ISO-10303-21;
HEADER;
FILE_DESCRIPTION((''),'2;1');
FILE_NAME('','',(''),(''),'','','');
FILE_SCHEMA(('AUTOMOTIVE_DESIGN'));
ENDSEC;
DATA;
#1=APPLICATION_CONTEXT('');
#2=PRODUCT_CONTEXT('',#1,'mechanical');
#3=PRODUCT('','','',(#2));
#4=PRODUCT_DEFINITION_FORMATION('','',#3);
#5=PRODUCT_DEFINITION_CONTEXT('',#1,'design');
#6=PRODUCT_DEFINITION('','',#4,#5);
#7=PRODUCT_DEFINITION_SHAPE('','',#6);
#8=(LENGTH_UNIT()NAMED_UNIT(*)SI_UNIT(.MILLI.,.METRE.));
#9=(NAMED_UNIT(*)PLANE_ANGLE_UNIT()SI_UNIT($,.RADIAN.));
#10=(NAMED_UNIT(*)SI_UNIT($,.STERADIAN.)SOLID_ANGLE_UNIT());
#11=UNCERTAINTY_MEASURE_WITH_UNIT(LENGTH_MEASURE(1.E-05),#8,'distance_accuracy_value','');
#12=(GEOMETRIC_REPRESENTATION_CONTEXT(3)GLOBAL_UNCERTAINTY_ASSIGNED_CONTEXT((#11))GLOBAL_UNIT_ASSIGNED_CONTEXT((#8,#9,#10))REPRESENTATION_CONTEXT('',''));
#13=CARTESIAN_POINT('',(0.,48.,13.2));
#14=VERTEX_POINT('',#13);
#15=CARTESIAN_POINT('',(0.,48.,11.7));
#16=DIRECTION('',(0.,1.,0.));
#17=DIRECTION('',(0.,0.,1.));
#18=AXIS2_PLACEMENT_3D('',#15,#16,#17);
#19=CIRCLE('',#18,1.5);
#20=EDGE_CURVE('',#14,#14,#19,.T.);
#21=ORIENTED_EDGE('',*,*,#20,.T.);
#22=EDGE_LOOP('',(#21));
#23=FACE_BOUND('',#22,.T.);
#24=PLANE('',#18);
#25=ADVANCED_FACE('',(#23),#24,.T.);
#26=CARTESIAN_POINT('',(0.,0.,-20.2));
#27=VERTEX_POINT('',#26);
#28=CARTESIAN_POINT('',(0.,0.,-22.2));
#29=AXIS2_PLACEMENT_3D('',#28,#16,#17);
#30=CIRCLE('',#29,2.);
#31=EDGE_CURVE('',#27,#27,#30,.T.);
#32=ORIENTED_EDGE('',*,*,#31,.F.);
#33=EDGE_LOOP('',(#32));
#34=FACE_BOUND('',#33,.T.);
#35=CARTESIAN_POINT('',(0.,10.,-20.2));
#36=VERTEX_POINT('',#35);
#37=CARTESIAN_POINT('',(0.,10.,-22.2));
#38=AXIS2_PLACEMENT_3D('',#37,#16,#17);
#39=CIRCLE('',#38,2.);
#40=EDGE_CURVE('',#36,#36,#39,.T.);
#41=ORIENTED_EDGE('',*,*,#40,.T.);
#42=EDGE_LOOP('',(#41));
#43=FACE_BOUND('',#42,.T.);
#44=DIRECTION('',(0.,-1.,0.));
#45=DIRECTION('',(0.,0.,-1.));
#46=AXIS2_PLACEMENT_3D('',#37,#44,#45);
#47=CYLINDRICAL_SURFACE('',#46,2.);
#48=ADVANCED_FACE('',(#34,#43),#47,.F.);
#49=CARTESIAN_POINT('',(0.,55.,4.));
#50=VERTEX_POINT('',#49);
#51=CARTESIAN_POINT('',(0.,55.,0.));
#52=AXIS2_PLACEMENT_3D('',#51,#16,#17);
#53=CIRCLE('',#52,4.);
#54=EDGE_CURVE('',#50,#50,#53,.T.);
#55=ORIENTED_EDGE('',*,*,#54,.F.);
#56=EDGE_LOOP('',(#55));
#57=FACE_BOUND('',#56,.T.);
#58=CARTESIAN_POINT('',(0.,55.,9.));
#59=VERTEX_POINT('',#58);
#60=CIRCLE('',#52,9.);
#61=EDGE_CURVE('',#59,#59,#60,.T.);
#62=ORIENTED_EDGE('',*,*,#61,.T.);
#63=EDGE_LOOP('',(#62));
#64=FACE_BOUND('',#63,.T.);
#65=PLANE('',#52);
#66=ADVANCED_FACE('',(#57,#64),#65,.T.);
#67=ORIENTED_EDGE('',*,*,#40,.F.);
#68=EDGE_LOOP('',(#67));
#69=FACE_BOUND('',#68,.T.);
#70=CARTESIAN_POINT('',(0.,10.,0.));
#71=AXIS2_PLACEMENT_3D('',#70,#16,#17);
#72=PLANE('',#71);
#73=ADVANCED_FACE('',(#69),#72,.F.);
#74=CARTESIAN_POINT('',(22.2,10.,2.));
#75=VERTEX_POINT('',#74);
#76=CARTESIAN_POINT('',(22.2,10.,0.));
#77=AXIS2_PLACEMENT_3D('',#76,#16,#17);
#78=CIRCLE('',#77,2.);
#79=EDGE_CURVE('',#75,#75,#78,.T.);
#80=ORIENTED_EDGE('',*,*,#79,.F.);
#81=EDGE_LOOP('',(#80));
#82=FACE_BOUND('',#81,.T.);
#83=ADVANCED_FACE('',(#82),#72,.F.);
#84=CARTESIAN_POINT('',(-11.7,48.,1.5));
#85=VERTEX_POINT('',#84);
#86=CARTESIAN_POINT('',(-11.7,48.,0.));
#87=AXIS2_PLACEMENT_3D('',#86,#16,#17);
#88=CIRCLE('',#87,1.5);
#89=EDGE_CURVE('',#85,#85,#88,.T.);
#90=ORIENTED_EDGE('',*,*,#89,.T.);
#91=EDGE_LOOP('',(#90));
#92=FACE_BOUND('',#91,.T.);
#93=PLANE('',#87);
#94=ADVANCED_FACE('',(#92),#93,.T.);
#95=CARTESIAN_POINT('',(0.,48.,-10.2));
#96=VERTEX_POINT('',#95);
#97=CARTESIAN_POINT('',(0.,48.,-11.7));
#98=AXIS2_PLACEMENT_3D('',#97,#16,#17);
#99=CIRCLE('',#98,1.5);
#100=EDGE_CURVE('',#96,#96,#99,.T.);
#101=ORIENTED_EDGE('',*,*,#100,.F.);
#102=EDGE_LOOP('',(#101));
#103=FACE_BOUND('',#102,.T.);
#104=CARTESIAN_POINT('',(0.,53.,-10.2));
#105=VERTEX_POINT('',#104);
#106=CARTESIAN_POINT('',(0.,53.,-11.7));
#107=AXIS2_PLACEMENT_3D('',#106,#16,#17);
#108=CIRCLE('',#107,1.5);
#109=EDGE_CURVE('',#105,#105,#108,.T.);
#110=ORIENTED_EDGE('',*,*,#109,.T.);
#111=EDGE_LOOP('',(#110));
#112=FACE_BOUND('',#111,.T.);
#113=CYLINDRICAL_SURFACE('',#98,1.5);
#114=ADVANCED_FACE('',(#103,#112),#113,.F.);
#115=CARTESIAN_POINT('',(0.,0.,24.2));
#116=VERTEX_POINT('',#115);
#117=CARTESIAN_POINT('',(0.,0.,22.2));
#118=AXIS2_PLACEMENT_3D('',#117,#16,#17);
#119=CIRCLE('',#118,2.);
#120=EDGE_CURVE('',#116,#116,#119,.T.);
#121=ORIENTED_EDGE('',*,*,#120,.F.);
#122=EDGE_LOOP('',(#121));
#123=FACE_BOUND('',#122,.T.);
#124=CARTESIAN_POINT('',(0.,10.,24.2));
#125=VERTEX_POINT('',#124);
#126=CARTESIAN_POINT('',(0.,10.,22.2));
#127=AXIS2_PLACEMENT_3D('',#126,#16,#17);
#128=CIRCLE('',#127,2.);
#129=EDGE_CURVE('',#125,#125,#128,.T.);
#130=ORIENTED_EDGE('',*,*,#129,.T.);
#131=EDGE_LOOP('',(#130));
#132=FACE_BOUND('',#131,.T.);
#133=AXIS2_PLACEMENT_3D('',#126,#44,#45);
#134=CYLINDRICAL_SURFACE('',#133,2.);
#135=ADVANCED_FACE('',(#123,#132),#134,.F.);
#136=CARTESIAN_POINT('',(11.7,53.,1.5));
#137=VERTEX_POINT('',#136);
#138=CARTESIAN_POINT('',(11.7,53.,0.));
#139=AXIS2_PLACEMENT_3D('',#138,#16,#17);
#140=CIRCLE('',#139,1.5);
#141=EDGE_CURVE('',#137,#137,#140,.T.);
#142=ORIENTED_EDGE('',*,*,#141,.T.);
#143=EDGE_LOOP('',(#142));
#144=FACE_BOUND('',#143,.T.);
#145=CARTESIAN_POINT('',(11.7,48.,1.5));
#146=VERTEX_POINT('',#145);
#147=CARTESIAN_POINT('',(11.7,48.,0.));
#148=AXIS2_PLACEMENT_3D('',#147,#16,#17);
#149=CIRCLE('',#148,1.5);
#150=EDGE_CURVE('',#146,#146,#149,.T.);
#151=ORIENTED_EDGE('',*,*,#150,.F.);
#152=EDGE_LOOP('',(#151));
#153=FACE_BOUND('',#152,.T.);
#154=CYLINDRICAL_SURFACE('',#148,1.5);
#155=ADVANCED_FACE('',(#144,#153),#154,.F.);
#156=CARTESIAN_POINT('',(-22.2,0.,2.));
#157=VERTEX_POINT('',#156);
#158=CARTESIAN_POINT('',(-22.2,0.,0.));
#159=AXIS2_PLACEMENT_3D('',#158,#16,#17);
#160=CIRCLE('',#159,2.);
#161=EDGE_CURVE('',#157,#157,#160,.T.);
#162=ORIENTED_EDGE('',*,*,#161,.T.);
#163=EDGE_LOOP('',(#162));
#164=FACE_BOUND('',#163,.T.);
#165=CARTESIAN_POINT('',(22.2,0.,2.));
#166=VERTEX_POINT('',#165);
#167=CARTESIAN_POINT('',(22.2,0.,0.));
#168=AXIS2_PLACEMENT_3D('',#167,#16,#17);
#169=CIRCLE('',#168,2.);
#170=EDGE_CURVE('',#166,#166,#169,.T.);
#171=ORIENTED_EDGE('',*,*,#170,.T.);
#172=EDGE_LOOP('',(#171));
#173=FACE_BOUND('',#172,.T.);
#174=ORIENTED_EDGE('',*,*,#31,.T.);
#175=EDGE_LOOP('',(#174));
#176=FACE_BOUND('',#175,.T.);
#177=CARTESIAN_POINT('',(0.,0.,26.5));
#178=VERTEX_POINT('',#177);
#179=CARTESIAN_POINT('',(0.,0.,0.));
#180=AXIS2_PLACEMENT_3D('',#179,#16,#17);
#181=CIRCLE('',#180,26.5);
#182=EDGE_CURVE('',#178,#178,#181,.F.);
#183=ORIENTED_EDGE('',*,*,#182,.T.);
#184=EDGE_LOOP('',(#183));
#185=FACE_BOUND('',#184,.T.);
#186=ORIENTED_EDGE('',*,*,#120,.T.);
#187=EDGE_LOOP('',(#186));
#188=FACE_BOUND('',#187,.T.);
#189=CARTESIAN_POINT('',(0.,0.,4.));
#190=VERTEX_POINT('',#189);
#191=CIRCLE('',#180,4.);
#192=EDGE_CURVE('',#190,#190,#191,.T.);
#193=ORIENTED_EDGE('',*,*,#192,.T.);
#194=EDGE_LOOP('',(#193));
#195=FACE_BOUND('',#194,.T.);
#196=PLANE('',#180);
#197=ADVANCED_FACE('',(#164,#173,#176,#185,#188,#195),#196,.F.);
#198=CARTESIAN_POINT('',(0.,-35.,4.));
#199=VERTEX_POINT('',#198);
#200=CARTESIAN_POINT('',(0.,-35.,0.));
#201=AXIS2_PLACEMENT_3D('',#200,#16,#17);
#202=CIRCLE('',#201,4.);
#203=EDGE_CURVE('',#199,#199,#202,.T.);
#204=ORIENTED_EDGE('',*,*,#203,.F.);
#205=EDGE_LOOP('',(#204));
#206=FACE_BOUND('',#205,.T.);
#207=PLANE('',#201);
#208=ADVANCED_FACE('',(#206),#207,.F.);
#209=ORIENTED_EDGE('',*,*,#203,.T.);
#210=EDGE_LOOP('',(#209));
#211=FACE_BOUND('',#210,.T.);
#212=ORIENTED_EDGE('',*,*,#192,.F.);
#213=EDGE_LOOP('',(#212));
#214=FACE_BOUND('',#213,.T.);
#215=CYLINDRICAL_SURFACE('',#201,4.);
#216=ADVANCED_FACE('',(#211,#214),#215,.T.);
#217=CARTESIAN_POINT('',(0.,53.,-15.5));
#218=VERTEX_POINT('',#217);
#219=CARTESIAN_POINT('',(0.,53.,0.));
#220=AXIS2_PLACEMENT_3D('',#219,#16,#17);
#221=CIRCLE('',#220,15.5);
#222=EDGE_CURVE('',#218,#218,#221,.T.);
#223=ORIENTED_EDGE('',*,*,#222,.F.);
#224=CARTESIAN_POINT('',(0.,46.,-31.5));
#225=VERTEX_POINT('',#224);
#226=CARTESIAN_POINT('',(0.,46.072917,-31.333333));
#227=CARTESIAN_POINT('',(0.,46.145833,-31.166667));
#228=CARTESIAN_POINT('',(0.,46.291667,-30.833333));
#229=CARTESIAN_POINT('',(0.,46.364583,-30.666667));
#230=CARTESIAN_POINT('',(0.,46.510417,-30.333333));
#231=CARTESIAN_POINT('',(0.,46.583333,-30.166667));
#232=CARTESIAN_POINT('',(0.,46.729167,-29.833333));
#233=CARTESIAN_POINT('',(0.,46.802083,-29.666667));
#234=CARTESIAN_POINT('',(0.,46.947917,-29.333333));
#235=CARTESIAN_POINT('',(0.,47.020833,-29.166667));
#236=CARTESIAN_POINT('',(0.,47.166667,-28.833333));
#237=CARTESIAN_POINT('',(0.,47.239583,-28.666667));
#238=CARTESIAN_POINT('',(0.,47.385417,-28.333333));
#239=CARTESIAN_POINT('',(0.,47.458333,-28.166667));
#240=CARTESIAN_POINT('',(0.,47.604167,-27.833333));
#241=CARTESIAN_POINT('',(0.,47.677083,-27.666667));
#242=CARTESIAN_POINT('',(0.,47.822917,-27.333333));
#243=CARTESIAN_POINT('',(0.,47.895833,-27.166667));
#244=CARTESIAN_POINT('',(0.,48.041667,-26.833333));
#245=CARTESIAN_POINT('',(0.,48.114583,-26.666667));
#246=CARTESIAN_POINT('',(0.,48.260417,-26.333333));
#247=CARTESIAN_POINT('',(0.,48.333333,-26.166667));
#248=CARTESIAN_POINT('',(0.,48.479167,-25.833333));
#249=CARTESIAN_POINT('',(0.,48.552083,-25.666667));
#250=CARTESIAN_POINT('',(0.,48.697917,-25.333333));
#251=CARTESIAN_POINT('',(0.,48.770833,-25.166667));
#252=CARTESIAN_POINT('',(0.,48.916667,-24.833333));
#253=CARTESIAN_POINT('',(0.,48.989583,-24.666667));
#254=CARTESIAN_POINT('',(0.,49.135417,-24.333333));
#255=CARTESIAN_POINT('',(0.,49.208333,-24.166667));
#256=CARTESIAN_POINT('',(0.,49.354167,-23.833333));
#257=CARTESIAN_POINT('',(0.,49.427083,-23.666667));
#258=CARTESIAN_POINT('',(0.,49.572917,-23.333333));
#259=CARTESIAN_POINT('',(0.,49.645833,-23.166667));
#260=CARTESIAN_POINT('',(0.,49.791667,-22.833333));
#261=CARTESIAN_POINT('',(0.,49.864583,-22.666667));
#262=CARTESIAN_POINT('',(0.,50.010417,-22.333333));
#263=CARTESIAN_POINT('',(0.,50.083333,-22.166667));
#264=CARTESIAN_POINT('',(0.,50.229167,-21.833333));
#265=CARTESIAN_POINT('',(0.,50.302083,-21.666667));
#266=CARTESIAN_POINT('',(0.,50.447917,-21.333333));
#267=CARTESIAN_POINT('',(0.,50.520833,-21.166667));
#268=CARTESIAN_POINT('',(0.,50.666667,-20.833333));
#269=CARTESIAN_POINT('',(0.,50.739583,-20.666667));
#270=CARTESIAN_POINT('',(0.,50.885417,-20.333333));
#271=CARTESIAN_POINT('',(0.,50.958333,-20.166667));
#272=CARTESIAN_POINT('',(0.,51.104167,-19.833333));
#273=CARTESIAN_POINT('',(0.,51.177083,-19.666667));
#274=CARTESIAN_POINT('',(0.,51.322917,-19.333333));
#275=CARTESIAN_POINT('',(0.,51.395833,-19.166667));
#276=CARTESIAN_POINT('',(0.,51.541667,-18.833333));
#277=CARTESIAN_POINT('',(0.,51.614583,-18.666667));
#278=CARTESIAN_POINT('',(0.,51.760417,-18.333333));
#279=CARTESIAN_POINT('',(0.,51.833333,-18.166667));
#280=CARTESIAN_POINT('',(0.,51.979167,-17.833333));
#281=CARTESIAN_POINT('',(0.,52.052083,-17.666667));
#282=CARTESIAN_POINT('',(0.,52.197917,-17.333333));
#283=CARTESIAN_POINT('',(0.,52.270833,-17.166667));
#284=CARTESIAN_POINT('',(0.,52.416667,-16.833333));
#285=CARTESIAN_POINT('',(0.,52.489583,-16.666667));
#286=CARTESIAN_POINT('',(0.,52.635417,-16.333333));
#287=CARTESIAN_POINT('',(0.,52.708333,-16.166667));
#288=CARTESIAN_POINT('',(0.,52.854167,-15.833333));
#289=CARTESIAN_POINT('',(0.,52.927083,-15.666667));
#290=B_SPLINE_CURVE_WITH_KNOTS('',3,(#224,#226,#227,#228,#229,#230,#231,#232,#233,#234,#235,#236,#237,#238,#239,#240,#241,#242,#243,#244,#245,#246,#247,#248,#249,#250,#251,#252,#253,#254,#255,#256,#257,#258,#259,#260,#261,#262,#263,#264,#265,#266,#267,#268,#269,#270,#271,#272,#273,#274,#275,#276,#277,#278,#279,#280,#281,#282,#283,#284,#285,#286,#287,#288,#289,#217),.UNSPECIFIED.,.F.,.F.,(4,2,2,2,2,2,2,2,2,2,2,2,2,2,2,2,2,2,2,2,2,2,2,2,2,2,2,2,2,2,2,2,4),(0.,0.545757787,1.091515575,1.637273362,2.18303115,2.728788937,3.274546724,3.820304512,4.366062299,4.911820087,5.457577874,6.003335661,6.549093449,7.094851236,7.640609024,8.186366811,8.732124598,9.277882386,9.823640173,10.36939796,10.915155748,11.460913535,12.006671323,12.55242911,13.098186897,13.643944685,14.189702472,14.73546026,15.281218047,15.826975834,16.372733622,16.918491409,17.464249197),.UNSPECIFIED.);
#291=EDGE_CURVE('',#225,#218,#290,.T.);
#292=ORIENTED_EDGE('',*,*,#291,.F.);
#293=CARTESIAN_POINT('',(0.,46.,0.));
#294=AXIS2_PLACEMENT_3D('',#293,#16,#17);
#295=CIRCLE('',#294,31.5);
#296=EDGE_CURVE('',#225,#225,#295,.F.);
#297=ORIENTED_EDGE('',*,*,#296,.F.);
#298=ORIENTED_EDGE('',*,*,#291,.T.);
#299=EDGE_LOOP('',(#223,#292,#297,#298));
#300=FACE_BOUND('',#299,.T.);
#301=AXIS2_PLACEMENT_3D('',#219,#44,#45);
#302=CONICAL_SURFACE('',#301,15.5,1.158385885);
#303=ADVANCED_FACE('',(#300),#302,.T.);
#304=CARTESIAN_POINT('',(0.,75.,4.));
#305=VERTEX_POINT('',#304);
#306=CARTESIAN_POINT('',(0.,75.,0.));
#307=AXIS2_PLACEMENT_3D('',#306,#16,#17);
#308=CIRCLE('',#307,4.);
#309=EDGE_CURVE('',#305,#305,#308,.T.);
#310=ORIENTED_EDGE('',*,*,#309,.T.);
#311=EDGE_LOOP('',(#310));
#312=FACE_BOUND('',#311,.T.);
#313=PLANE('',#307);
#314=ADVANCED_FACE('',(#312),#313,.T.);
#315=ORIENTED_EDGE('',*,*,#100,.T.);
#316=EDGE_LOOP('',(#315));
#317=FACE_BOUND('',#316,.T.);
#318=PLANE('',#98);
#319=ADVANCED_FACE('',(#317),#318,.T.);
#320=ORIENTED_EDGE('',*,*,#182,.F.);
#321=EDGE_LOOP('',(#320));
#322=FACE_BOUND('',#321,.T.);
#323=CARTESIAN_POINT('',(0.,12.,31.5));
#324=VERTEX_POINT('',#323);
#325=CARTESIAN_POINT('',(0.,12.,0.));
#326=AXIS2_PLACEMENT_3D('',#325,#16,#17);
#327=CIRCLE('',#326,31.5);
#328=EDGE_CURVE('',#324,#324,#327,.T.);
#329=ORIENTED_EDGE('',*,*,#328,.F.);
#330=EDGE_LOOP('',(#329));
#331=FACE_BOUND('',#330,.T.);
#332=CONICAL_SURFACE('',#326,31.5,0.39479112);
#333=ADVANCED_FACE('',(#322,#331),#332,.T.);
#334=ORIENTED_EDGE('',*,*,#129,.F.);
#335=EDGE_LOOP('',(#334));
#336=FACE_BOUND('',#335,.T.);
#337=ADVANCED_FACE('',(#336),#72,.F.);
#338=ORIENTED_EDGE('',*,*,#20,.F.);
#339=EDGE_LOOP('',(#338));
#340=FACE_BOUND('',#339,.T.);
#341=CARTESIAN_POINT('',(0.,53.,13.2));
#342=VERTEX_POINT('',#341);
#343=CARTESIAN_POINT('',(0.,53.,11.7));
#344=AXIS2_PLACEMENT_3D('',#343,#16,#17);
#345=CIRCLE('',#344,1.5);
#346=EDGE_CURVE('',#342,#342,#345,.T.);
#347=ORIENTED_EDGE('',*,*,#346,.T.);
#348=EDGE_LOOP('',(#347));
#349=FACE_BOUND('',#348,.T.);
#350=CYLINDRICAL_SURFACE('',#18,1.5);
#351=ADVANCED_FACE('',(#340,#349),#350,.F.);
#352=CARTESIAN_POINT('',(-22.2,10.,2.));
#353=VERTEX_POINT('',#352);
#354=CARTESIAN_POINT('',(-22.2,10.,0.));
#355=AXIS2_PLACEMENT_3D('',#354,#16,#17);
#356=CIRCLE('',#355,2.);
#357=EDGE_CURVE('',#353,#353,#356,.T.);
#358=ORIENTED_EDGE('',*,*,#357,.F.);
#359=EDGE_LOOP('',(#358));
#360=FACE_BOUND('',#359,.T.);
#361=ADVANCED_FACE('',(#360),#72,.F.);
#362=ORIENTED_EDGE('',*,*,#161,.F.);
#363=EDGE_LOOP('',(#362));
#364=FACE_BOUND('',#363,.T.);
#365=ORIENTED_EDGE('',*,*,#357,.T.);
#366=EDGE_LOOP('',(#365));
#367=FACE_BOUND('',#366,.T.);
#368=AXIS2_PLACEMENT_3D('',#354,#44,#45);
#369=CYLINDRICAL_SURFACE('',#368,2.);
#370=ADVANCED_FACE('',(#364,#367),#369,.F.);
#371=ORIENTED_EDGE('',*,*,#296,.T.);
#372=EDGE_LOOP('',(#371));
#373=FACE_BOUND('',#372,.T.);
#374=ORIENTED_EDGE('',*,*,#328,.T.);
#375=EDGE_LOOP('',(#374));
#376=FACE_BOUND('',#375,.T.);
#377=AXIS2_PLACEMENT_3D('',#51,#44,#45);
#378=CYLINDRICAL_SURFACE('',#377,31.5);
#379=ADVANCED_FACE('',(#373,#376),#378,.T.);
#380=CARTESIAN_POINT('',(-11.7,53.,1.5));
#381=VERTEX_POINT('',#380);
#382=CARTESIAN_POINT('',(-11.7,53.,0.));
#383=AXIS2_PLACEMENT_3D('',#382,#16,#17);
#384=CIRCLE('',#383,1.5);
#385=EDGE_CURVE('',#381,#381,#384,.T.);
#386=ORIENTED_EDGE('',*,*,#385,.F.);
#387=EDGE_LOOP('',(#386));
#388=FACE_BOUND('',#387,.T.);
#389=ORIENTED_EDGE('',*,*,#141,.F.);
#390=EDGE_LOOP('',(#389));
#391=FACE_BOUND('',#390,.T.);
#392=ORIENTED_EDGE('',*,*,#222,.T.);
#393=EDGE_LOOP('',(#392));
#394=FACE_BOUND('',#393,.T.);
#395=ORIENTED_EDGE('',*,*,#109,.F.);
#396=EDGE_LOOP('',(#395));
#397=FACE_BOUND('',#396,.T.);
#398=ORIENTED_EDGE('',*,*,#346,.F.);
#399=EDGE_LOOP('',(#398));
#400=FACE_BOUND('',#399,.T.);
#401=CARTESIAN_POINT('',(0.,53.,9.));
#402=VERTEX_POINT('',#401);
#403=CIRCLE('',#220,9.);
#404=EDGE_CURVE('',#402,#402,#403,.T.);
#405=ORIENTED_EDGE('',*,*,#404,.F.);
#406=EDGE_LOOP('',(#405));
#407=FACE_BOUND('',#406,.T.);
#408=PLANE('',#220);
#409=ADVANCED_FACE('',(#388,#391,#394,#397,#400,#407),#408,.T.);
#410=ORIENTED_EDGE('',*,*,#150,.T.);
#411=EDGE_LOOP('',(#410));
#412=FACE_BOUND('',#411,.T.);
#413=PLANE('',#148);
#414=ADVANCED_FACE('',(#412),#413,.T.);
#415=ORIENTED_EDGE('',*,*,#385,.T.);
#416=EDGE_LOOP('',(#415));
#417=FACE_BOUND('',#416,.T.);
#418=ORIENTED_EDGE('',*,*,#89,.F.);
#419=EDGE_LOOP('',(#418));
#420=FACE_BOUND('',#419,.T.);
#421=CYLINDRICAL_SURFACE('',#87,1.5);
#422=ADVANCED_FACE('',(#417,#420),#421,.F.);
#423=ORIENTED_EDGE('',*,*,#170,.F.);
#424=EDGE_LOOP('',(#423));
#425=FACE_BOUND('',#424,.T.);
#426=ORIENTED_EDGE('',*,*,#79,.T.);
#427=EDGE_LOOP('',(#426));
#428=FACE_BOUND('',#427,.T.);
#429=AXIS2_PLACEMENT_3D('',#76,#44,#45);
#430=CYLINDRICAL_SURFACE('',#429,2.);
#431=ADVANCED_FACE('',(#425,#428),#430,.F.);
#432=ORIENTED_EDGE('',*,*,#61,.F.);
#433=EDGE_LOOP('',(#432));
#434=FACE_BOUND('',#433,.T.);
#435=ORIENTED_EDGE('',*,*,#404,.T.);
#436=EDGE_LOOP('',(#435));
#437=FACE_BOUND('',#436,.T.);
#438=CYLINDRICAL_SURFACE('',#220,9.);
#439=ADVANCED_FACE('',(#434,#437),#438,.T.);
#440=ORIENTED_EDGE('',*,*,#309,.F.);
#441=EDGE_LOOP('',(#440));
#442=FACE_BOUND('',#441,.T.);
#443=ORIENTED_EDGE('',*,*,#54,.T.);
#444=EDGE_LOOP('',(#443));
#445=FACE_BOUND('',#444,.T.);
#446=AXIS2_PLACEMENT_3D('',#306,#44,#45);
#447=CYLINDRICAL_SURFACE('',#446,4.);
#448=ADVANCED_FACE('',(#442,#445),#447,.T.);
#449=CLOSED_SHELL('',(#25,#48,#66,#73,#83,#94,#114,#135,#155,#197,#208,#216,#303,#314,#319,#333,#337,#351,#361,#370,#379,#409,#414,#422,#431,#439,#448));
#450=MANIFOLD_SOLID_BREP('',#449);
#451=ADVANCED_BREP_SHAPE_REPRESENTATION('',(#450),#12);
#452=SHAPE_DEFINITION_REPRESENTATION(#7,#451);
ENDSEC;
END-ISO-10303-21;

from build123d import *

# Parameters (mm, degrees)
SKETCH1_R           = 31.5
BOSS_EXTRUDE1_DEPTH = 55
CUT_EXTRUDE1_START  = 53
SKETCH1_4_R         = 31.5
SKETCH1_4_R_2       = 9
CUT_EXTRUDE1_DEPTH  = 2
SKETCH1_5_R         = 4
BOSS_EXTRUDE2_DEPTH = 35
SKETCH1_7_R         = 2
CUT_EXTRUDE2_DEPTH  = 10
CUT_EXTRUDE3_START  = 53
SKETCH1_10_R        = 1.5
CUT_EXTRUDE3_DEPTH  = 5
CHAMFER1_SIZE       = 5
CHAMFER1_SIZE2      = 12
CHAMFER2_SIZE       = 7
CHAMFER2_SIZE2      = 16
BOSS_EXTRUDE4_START = 75
SKETCH1_11_R        = 4
BOSS_EXTRUDE4_DEPTH = 20


with BuildPart() as part:
    # Sketch1 → Boss-Extrude1 (new body)
    with BuildSketch(Plane(origin=(0, 0, 0), x_dir=(1, 0, 0), z_dir=(0, 1, 0))):
        with Locations(Location((0, 0, 0), (0, 0, 270))):
            Circle(SKETCH1_R)
    extrude(amount=BOSS_EXTRUDE1_DEPTH)

    # Sketch1<4> → Cut-Extrude1 (cut)
    with BuildSketch(Plane(origin=(0, 0, 0), x_dir=(1, 0, 0), z_dir=(0, 1, 0)).offset(CUT_EXTRUDE1_START)):
        with Locations(Location((0, 0, 0), (0, 0, 270))):
            Circle(SKETCH1_4_R)
        with Locations(Location((0, 0, 0), (0, 0, 270))):
            Circle(SKETCH1_4_R_2, mode=Mode.SUBTRACT)
    extrude(amount=CUT_EXTRUDE1_DEPTH, mode=Mode.SUBTRACT)

    # Sketch1<5> → Boss-Extrude2 (add)
    with BuildSketch(Plane(origin=(0, 0, 0), x_dir=(1, 0, 0), z_dir=(0, 1, 0))):
        with Locations(Location((0, 0, 0), (0, 0, 270))):
            Circle(SKETCH1_5_R)
    extrude(amount=-BOSS_EXTRUDE2_DEPTH)

    # Sketch1<7> → Cut-Extrude2 (cut)
    with BuildSketch(Plane(origin=(0, 0, 0), x_dir=(1, 0, 0), z_dir=(0, 1, 0))):
        with Locations(Location((22.2, 0, 0), (0, 0, 270))):
            Circle(SKETCH1_7_R)
        with Locations(Location((0, 22.2, 0), (0, 0, 270))):
            Circle(SKETCH1_7_R)
        with Locations(Location((-22.2, 0, 0), (0, 0, 270))):
            Circle(SKETCH1_7_R)
        with Locations(Location((0, -22.2, 0), (0, 0, 270))):
            Circle(SKETCH1_7_R)
    extrude(amount=CUT_EXTRUDE2_DEPTH, mode=Mode.SUBTRACT)

    # Sketch1<10> → Cut-Extrude3 (cut)
    with BuildSketch(Plane(origin=(0, 0, 0), x_dir=(1, 0, 0), z_dir=(0, 1, 0)).offset(CUT_EXTRUDE3_START)):
        with Locations(Location((-11.7, 0, 0), (0, 0, 270))):
            Circle(SKETCH1_10_R)
        with Locations(Location((0, 11.7, 0), (0, 0, 270))):
            Circle(SKETCH1_10_R)
        with BuildLine():
            ThreePointArc((13.2, 0), (11.7, 1.5), (10.2, 0))
            Line((10.2, 0), (13.2, 0))
        make_face()
        with BuildLine():
            Line((13.2, 0), (10.2, 0))
            ThreePointArc((10.2, 0), (11.7, -1.5), (13.2, 0))
        make_face()
        with Locations(Location((0, -11.7, 0), (0, 0, 270))):
            Circle(SKETCH1_10_R)
    extrude(amount=-CUT_EXTRUDE3_DEPTH, mode=Mode.SUBTRACT)

    # Chamfer1
    chamfer1_edges = [part.edges().sort_by_distance(p)[0] for p in [
        (0, 0, -31.5),
    ]]
    chamfer1_side = [part.faces().sort_by_distance(p)[0] for p in [
        (0, 0, -30.609045456),
    ]]
    chamfer(chamfer1_edges, length=CHAMFER1_SIZE, length2=CHAMFER1_SIZE2, reference=chamfer1_side[0])

    # Chamfer2
    chamfer2_edges = [part.edges().sort_by_distance(p)[0] for p in [
        (0, 53, -31.5),
    ]]
    chamfer2_side = [part.faces().sort_by_distance(p)[0] for p in [
        (0, 32.5, -31.5),
    ]]
    chamfer(chamfer2_edges, length=CHAMFER2_SIZE, length2=CHAMFER2_SIZE2, reference=chamfer2_side[0])

    # Sketch1<11> → Boss-Extrude4 (add)
    with BuildSketch(Plane(origin=(0, 0, 0), x_dir=(1, 0, 0), z_dir=(0, 1, 0)).offset(BOSS_EXTRUDE4_START)):
        with Locations(Location((0, 0, 0), (0, 0, 270))):
            Circle(SKETCH1_11_R)
    extrude(amount=-BOSS_EXTRUDE4_DEPTH)


solid = part.part
